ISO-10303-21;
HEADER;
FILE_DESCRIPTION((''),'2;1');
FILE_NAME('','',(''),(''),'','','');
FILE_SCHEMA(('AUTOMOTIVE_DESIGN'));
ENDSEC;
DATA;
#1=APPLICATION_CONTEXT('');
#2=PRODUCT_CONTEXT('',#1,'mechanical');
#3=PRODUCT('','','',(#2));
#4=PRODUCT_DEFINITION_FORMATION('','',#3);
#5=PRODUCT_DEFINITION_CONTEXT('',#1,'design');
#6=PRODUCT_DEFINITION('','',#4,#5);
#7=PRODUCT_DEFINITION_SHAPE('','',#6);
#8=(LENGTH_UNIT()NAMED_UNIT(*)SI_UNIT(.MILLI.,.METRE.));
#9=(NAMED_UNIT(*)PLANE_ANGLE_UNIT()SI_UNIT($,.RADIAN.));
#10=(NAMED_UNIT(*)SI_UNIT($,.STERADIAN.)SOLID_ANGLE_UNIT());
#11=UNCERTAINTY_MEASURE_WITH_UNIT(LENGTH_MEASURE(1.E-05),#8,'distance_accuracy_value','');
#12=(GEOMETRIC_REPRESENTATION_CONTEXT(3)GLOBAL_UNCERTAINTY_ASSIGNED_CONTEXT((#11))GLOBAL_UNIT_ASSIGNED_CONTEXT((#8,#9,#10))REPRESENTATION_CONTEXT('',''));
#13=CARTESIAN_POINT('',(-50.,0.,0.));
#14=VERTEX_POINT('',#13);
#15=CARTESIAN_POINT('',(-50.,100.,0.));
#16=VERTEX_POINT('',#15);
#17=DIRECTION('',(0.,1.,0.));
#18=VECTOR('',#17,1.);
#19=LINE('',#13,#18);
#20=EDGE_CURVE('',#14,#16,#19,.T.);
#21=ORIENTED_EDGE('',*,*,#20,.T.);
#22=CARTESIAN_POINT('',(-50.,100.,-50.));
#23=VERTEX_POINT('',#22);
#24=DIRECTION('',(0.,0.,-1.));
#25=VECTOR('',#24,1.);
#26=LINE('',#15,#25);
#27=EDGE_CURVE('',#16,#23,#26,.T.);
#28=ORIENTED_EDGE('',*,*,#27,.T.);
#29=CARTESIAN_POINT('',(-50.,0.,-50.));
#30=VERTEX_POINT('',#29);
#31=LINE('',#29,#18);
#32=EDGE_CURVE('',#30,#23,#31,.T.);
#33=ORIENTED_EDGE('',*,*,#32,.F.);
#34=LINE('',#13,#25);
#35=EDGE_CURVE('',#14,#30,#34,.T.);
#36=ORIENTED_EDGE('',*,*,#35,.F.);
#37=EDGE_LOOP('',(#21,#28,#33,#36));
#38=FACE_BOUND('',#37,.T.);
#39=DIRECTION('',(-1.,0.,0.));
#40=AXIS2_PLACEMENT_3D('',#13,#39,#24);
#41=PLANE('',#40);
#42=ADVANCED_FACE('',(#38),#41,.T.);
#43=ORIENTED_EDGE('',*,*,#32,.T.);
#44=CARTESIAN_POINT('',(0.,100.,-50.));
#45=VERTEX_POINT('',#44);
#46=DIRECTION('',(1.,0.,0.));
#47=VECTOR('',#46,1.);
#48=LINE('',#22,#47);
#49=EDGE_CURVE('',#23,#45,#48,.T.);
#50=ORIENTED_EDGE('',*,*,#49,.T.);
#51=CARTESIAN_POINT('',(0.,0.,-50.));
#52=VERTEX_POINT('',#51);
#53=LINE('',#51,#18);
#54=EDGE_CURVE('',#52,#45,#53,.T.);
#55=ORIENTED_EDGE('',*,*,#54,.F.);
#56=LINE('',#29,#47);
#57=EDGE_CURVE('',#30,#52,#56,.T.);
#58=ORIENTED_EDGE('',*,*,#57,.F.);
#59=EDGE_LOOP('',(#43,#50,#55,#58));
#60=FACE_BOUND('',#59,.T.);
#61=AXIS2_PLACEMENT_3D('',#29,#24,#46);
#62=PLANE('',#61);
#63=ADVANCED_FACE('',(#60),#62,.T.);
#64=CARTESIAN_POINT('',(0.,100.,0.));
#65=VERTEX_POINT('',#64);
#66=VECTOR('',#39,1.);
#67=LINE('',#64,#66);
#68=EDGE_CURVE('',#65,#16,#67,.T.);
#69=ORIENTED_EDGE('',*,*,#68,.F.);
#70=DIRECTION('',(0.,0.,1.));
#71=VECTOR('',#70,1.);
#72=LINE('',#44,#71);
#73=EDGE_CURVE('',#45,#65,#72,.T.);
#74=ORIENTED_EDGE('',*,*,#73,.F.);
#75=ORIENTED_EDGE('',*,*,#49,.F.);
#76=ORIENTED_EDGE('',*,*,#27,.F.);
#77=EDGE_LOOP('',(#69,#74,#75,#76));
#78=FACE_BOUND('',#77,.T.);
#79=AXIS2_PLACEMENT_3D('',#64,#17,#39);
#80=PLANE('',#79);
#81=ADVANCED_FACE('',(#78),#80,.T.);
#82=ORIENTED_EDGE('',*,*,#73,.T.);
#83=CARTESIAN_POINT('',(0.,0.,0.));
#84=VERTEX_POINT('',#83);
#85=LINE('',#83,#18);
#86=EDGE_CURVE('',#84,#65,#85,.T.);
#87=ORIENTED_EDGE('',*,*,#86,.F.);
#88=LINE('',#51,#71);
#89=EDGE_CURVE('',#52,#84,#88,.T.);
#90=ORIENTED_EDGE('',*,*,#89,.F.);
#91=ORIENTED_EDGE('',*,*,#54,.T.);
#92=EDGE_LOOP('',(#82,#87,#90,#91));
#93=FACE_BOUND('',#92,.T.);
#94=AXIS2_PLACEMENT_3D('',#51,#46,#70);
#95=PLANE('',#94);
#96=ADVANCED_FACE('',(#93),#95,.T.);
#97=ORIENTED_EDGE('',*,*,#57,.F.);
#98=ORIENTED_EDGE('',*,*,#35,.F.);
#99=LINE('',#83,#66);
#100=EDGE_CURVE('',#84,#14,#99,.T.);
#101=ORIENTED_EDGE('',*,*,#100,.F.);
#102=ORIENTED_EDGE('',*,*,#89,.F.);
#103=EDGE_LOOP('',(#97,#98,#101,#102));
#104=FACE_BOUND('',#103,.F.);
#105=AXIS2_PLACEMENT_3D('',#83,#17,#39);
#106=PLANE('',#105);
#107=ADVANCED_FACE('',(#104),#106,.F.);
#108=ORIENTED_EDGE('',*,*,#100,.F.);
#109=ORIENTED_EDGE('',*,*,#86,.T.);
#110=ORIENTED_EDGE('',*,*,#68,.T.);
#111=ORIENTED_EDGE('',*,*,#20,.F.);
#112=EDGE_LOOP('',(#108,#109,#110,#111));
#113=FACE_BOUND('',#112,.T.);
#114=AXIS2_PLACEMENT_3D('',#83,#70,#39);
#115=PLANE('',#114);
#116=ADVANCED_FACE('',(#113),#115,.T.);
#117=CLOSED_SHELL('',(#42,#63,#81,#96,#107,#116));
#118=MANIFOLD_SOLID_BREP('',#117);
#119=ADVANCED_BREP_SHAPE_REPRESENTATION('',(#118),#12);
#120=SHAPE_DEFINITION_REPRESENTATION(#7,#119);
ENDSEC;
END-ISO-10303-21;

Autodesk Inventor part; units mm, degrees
ref_plane "YZ Plane" through (0, 0, 0) normal (1, 0, 0) x (0, 1, 0)
ref_plane "XZ Plane" through (0, 0, 0) normal (0, 1, 0) x (-1, 0, 0)
ref_plane "XY Plane" through (0, 0, 0) normal (0, 0, 1) x (1, 0, 0)
sketch "Sketch1" plane through (0, 0, 0) normal (0, 1, 0) x (-1, 0, 0)
  line L0 (0, 0) -> (50, 0)
  line L1 (50, 0) -> (50, -50)
  line L2 (50, -50) -> (0, -50)
  line L3 (0, -50) -> (0, 0)
  dimension "d0" = 50
  dimension "d1" = 50
extrude "Extrusion1" add sketch "Sketch1" along normal blind 100
equation "\"d1\" = d0"
properties part number "Traffic_Light"
